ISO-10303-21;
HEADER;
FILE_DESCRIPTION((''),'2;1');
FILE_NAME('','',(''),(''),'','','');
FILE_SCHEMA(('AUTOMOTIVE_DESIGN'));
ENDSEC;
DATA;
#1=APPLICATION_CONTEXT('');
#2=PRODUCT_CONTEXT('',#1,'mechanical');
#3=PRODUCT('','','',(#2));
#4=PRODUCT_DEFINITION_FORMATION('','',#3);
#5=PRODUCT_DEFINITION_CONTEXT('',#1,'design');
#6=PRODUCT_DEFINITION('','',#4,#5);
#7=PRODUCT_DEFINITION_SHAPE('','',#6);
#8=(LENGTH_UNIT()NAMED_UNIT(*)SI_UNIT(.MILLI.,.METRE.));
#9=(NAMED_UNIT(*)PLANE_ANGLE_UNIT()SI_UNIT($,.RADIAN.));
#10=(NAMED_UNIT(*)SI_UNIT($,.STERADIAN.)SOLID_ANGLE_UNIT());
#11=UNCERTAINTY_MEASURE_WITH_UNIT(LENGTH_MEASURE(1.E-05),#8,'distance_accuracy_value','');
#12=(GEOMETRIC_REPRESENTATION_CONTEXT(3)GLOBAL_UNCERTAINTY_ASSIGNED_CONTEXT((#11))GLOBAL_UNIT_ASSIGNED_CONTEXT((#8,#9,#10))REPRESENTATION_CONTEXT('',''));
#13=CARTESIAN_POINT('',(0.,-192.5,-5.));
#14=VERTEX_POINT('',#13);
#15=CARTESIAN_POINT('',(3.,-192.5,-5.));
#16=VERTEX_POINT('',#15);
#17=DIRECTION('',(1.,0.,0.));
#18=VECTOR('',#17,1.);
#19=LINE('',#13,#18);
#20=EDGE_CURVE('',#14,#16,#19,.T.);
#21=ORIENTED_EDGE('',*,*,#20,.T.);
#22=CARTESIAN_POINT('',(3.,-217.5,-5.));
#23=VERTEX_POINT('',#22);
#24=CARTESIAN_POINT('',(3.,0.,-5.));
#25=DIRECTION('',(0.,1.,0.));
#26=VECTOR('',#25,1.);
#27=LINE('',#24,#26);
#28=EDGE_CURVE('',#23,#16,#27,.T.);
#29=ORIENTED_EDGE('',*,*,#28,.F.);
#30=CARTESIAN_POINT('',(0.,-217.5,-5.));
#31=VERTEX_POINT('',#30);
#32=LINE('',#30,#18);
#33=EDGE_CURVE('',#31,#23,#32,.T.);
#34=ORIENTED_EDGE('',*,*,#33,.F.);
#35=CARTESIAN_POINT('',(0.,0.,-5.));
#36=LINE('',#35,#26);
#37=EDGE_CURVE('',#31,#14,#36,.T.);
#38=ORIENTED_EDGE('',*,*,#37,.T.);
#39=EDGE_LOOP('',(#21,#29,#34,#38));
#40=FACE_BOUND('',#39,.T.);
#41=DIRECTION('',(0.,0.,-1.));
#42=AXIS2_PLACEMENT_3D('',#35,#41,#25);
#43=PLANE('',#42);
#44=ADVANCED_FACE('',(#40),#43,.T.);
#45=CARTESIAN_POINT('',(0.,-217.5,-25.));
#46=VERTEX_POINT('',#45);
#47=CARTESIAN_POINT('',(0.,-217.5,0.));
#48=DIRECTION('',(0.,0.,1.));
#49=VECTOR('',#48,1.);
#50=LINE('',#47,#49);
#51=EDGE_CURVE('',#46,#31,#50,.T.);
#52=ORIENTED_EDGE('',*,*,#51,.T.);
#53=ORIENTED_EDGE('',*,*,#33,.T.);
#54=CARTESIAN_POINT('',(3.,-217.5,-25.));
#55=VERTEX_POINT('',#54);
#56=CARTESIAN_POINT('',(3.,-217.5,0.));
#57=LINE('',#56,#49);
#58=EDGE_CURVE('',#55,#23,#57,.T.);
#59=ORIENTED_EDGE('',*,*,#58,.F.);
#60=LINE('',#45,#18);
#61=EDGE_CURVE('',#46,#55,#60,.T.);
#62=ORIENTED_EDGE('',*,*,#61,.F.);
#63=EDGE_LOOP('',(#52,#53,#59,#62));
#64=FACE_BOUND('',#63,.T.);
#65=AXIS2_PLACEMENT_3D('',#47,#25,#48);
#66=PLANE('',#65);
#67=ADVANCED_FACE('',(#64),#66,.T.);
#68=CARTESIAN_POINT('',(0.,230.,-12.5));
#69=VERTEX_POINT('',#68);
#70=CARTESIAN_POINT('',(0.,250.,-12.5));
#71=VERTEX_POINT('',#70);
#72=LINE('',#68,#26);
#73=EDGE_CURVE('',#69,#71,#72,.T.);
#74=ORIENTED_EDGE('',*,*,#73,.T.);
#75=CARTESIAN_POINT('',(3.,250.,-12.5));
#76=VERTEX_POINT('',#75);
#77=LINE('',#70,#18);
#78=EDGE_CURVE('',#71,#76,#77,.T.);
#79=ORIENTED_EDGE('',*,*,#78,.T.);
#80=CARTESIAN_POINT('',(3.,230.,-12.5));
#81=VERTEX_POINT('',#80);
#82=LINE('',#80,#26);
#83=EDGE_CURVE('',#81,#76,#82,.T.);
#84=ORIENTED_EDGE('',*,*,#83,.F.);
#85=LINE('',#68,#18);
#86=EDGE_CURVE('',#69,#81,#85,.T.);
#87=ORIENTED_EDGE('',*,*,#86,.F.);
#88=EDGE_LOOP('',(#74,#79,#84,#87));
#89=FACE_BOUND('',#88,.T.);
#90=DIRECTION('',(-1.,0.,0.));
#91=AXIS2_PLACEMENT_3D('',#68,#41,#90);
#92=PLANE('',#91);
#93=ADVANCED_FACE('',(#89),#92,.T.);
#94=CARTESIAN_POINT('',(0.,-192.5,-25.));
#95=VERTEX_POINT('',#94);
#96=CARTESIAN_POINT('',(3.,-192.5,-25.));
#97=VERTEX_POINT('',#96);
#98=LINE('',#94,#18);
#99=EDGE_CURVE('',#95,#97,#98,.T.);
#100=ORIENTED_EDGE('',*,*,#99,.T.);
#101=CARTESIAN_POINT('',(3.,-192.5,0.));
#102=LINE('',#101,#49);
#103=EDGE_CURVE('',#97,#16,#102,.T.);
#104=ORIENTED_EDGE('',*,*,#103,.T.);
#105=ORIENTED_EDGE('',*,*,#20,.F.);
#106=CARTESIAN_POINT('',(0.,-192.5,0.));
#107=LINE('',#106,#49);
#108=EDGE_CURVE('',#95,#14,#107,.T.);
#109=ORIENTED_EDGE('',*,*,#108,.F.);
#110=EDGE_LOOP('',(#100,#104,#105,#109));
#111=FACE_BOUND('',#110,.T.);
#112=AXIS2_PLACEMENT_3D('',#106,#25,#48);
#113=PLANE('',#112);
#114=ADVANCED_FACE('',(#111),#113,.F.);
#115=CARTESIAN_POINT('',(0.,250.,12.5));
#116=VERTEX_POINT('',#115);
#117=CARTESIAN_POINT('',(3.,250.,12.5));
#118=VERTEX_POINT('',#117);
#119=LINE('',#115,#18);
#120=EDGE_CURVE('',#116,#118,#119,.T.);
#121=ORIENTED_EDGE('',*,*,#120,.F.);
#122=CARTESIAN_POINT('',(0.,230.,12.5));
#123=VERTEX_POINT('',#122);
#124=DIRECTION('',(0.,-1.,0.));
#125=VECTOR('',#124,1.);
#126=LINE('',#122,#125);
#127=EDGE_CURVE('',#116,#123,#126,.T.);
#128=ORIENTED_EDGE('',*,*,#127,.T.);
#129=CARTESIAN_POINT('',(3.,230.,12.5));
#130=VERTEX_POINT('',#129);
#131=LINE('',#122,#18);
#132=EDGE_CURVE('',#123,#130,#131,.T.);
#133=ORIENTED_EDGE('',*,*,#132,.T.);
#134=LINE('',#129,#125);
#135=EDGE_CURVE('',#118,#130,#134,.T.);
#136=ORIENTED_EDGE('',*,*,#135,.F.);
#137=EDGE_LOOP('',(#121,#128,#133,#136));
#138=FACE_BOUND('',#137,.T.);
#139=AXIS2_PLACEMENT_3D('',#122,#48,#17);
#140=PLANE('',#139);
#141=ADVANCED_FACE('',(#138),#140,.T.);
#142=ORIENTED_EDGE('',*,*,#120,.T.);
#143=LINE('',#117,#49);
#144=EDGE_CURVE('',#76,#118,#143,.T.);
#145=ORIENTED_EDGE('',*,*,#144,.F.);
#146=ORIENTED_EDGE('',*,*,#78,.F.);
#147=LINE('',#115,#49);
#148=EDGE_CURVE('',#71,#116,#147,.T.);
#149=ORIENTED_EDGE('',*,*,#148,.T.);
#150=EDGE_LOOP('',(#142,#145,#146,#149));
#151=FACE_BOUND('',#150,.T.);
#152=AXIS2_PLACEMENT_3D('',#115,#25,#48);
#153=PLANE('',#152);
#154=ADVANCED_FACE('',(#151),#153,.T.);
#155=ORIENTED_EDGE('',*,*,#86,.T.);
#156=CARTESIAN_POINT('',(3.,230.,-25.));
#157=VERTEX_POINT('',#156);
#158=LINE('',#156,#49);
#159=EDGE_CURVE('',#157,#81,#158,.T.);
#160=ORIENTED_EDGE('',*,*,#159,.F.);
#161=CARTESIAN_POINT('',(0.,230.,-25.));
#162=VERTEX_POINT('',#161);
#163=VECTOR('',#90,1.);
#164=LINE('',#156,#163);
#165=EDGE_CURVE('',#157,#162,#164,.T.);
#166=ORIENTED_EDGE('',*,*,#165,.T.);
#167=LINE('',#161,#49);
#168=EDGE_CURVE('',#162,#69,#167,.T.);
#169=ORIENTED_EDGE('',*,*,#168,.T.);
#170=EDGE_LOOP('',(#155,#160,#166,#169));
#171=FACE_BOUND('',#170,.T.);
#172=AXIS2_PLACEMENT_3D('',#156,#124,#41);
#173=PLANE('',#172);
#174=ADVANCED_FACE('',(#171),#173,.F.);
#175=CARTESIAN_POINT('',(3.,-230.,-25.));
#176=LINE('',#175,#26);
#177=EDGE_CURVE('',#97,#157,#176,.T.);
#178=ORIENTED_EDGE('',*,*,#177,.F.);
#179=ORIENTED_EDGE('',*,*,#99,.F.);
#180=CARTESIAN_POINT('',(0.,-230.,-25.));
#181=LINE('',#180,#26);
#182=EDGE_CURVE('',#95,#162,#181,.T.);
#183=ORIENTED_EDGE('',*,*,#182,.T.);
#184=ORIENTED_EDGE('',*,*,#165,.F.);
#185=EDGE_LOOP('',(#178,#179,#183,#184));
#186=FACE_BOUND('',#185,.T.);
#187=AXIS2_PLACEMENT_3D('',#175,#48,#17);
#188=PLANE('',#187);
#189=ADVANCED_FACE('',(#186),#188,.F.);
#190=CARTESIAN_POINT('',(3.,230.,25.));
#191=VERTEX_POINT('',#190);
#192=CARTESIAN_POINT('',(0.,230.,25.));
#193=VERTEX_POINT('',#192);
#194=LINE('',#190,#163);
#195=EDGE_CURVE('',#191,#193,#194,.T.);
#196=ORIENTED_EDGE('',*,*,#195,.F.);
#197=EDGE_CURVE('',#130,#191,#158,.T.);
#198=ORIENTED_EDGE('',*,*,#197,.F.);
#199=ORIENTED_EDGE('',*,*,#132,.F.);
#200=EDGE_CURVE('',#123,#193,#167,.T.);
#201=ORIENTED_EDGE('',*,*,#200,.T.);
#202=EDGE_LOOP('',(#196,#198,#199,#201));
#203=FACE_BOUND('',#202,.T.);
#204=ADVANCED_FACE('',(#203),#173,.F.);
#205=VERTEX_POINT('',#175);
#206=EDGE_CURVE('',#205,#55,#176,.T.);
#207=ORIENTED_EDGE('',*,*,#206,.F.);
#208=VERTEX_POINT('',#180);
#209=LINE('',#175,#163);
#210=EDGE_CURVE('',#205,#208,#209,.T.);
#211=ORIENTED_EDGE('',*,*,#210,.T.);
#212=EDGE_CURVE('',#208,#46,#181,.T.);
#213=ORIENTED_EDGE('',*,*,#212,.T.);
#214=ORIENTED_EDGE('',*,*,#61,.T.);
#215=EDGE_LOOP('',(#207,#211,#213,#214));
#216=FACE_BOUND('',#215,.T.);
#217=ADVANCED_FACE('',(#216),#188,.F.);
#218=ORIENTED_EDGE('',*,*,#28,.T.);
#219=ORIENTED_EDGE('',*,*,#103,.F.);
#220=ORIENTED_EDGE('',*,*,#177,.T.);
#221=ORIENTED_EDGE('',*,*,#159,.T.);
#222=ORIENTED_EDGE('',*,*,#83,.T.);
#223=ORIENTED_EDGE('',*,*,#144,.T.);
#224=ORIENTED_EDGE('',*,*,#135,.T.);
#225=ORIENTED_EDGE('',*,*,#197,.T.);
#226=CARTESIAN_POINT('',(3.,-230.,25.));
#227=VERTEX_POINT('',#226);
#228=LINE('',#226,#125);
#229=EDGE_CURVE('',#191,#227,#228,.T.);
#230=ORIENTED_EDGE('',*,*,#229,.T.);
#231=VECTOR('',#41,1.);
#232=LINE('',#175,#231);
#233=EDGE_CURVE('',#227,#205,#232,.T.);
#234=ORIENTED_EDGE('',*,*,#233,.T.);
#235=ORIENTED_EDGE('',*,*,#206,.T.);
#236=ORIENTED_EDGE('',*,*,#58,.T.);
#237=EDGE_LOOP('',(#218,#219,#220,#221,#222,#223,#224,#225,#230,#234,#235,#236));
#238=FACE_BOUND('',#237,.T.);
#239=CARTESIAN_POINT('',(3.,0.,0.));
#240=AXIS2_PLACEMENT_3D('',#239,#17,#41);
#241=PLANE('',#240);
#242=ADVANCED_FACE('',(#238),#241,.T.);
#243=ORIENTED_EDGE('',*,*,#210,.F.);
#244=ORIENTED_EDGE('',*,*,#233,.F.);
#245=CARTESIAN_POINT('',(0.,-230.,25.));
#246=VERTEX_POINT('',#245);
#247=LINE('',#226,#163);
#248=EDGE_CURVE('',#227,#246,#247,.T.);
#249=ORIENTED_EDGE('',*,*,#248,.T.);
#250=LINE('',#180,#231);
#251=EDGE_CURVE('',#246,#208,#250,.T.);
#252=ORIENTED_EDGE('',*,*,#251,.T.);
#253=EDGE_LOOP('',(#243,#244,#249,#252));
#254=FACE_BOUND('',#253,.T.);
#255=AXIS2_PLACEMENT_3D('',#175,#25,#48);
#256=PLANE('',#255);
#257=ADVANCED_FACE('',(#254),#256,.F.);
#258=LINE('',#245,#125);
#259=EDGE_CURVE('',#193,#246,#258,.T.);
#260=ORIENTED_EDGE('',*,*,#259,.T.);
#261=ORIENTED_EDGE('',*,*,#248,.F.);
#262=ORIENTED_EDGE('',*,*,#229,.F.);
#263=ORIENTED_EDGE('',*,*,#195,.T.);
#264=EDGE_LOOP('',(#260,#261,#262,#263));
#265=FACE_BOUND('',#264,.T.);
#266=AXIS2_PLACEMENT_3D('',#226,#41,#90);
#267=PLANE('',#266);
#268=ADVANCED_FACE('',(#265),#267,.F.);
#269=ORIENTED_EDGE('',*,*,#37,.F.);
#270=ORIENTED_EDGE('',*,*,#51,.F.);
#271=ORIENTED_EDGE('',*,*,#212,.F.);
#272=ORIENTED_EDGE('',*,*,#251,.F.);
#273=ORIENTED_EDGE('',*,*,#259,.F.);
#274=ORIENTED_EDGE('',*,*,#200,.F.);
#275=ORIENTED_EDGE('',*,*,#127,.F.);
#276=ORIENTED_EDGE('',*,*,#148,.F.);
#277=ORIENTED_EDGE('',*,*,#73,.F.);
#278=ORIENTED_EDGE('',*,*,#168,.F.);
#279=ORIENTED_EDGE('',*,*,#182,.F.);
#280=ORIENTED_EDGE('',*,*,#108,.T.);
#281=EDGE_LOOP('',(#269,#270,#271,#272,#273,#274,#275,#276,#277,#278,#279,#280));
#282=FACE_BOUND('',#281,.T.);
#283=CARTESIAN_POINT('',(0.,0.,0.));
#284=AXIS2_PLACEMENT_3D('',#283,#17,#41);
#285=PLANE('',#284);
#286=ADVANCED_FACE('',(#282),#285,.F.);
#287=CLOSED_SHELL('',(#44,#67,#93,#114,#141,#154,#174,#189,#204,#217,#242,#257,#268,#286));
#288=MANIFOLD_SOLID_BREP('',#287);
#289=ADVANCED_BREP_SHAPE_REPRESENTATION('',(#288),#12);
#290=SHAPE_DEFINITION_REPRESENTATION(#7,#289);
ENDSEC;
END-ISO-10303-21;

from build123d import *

# Parameters (mm, degrees)
ESQUISSE1_W             = 50
ESQUISSE1_H             = 460
BOSS_EXTRU_1_DEPTH      = 3
ESQUISSE2_W             = 20
ESQUISSE2_H             = 25
ENL_V_MAT_EXTRU_2_DEPTH = 232.37415586
ESQUISSE5_W             = 25
ESQUISSE5_H             = 20
BOSS_EXTRU_3_DEPTH      = 3


with BuildPart() as part:
    # Esquisse1 → Boss.-Extru.1 (new body)
    with BuildSketch(Plane(origin=(0, 0, 0), x_dir=(0, 0, -1), z_dir=(1, 0, 0))):
        Rectangle(ESQUISSE1_W, ESQUISSE1_H)
    extrude(amount=BOSS_EXTRU_1_DEPTH)

    # Esquisse2 → Enlèv. mat.-Extru.2 (cut, through all)
    with BuildSketch(Plane(origin=(3, 0, 0), x_dir=(0, 0, -1), z_dir=(1, 0, 0))):
        with Locations((15, -205)):
            Rectangle(ESQUISSE2_W, ESQUISSE2_H)
    extrude(amount=-ENL_V_MAT_EXTRU_2_DEPTH, mode=Mode.SUBTRACT)

    # Esquisse5 → Boss.-Extru.3 (add)
    with BuildSketch(Plane(origin=(3, 0, 0), x_dir=(0, 0, -1), z_dir=(1, 0, 0))):
        with Locations((0, 240)):
            Rectangle(ESQUISSE5_W, ESQUISSE5_H)
    extrude(amount=-BOSS_EXTRU_3_DEPTH)


solid = part.part
